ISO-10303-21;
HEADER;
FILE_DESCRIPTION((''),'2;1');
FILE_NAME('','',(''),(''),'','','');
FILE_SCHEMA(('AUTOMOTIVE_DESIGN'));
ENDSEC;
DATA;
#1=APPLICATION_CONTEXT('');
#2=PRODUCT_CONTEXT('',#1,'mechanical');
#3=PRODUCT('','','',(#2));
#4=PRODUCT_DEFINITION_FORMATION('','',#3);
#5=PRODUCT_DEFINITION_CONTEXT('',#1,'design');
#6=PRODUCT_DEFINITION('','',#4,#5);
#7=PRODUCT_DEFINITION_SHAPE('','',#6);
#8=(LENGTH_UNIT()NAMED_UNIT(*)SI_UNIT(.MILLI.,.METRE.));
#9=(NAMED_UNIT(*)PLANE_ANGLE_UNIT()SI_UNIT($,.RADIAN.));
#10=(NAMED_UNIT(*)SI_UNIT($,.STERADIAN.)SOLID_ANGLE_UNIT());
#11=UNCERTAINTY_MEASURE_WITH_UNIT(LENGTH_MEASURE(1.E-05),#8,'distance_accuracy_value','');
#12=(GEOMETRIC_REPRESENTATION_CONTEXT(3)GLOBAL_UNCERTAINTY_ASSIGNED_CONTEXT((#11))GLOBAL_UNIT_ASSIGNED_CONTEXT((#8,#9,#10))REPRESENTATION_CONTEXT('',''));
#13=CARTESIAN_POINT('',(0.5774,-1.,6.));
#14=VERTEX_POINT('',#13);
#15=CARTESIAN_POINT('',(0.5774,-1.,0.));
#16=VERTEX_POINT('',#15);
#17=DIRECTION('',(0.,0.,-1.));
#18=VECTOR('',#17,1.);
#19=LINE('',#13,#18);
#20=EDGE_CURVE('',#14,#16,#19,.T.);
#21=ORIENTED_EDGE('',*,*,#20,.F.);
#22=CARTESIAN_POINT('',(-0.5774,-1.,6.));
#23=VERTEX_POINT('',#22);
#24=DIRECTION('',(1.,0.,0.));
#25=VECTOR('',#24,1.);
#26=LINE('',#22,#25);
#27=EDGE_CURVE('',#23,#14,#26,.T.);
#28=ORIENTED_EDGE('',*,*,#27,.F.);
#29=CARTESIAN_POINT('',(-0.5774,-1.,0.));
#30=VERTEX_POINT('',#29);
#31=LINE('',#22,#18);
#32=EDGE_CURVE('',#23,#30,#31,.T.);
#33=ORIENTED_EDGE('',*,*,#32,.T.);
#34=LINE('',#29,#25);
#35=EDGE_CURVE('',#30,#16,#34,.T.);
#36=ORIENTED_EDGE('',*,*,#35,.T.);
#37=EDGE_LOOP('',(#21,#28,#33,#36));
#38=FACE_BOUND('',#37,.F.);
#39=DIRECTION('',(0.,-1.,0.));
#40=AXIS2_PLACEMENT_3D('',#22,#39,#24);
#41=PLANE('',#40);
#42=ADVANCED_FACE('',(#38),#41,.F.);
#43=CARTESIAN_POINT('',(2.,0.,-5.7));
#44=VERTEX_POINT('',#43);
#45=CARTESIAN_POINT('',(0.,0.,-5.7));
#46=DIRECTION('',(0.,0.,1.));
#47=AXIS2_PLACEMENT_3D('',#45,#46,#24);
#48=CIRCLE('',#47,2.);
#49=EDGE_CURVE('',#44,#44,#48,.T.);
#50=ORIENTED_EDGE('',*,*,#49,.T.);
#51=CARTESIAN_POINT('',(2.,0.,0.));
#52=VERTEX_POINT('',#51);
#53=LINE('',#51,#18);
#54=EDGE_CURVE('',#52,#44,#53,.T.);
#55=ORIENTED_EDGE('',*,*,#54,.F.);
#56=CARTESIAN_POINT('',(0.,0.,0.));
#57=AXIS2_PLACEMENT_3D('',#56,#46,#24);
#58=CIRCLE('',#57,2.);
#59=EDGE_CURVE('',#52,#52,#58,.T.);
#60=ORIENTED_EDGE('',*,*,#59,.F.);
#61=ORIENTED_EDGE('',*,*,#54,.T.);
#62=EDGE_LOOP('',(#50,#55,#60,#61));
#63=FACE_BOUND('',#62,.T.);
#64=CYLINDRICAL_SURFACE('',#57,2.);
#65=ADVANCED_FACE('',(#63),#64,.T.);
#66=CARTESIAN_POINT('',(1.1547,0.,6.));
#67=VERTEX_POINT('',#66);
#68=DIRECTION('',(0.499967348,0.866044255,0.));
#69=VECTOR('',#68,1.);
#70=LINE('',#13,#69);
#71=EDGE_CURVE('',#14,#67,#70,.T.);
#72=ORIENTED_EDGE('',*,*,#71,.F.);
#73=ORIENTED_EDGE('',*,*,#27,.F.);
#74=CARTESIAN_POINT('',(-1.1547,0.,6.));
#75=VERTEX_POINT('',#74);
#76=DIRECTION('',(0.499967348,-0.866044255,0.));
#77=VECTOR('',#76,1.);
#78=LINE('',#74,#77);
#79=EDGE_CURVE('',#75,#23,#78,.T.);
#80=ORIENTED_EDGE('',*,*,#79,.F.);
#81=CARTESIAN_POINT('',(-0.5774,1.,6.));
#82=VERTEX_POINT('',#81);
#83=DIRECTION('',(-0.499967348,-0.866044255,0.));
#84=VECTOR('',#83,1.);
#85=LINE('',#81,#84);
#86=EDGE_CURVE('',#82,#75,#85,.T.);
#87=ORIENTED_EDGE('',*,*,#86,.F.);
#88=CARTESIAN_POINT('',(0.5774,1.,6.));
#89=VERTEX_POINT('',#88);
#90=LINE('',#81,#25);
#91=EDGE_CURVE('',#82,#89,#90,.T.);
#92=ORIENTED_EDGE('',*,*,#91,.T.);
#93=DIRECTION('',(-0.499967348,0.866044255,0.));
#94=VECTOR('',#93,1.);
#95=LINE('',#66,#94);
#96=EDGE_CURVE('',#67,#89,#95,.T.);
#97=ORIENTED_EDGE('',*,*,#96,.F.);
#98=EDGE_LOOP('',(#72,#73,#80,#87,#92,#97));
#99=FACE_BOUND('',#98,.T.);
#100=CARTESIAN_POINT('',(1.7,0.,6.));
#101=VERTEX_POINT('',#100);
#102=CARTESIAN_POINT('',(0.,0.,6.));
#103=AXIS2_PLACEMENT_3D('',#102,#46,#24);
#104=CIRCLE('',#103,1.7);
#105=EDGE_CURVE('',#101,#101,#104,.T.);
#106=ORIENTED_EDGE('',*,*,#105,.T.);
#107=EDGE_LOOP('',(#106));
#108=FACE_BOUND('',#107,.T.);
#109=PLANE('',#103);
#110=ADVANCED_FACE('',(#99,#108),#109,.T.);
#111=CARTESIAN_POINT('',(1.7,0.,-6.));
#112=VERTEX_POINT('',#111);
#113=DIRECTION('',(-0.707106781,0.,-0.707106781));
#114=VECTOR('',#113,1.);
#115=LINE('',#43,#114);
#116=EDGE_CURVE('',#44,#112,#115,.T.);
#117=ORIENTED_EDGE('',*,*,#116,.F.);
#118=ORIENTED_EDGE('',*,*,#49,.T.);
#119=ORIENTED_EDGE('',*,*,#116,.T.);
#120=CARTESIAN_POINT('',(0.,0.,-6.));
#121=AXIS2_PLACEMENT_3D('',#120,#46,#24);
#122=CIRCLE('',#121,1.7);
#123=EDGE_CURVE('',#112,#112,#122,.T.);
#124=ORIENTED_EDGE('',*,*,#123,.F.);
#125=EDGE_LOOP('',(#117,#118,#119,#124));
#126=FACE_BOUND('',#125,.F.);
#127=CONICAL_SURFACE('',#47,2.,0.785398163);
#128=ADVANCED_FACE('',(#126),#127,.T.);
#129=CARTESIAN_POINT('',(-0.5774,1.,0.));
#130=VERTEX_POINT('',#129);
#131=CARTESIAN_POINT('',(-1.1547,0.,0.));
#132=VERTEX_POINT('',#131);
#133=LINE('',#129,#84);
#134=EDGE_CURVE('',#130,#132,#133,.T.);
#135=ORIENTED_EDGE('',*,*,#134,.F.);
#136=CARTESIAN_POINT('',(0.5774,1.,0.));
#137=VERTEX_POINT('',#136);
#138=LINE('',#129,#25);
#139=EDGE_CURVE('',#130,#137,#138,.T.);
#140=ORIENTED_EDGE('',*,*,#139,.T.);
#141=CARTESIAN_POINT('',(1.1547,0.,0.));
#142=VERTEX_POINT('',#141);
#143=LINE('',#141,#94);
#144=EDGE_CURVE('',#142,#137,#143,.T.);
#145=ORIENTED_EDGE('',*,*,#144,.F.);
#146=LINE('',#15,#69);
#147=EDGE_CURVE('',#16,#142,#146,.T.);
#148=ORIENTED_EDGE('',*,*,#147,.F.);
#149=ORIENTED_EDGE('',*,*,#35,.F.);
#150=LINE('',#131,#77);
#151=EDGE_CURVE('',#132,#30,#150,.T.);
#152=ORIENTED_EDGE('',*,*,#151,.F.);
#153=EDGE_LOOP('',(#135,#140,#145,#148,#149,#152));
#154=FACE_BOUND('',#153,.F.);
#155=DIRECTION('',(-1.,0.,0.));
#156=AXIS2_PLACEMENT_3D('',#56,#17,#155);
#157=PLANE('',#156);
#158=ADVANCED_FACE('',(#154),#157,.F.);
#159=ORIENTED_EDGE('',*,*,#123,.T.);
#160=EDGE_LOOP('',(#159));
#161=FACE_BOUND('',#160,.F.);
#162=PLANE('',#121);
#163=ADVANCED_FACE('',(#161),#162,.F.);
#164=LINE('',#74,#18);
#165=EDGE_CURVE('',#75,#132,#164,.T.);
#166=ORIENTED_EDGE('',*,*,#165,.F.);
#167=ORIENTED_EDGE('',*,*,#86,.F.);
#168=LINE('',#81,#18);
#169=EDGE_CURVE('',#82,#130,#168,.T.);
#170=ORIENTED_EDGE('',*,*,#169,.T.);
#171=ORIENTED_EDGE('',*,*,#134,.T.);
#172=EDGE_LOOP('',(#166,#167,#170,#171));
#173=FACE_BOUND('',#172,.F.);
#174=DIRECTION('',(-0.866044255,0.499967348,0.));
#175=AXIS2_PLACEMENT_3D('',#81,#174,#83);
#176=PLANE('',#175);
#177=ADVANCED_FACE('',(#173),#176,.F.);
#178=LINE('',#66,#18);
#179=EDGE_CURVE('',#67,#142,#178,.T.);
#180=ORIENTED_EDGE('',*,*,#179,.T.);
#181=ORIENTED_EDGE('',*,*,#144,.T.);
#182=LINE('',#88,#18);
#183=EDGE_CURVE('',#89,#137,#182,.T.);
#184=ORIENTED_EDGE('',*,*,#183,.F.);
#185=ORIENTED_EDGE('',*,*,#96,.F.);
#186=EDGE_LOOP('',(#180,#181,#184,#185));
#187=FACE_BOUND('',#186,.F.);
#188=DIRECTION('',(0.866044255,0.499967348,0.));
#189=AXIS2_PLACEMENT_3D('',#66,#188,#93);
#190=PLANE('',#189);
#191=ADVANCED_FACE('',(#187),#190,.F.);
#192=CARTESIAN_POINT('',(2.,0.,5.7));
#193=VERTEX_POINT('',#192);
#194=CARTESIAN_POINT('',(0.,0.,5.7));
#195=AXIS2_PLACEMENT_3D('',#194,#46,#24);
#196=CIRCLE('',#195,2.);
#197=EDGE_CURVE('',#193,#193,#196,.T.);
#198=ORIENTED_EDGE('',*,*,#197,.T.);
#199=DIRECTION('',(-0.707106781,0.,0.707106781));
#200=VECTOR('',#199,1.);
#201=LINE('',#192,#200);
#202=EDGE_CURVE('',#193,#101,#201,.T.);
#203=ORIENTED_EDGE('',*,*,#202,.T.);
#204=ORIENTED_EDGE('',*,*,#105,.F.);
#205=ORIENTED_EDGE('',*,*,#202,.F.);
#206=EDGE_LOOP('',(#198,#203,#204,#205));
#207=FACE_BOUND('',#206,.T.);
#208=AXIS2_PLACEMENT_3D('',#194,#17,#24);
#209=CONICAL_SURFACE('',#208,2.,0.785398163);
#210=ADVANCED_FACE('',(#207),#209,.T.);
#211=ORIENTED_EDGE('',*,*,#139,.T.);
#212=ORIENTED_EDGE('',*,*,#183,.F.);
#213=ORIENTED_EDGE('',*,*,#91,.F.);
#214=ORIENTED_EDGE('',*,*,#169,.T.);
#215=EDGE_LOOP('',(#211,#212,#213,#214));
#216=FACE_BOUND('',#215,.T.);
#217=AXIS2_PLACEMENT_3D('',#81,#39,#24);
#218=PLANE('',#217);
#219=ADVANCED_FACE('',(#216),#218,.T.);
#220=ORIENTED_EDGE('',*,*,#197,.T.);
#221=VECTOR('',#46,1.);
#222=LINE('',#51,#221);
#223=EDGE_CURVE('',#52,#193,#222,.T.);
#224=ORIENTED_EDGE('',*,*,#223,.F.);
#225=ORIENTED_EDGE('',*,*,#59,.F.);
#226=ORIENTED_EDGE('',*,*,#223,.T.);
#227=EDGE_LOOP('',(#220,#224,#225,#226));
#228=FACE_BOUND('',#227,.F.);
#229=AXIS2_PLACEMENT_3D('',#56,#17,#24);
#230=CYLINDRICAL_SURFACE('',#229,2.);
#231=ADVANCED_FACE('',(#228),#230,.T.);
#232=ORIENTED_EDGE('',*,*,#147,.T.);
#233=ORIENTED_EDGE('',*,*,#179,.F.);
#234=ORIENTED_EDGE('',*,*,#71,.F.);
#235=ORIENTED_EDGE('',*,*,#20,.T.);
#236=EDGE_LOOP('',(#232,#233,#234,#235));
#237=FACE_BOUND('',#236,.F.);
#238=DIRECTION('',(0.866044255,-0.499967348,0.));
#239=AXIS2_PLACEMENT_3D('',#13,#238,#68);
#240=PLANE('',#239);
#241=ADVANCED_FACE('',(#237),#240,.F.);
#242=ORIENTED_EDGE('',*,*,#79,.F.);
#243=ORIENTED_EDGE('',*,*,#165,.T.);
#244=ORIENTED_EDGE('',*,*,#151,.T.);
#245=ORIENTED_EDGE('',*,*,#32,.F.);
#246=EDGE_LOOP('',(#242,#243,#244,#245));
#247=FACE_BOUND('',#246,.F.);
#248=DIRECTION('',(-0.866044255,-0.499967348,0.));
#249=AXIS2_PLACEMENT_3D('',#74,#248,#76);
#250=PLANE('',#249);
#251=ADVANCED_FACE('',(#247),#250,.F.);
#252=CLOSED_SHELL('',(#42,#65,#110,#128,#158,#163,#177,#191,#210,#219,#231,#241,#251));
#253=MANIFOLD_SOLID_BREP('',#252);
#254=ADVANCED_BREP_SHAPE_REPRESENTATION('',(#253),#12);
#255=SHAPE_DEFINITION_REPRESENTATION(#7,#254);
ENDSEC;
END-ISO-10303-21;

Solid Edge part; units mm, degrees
sketch "Sketch1" plane through (0, 0, 0) normal (0, 0, 1) x (1, 0, 0)
  circle A0 centre (0, 0) radius 2
  dimension "D1" = 4
extrude "Protrusion1" add sketch "Sketch1" along normal mid plane 12
chamfer "Chamfer1" distance 0.3 angle 45 2 edges at (-2, 0, -6) (-2, 0, 6)
sketch "Sketch2" plane through (0, 0, 6) normal (0, 0, 1) x (1, 0, 0)
  line L0 (-0.5774, 1) -> (0.5774, 1)
  line L1 (1.1547, 0) -> (0.5774, 1)
  line L2 (0.5774, -1) -> (1.1547, 0)
  line L3 (-0.5774, -1) -> (0.5774, -1)
  line L4 (-1.1547, 0) -> (-0.5774, -1)
  line L5 (-0.5774, 1) -> (-1.1547, 0)
  dimension "D1" = 2
extrude "Cutout1" cut sketch "Sketch2" against normal blind 6
properties part number "24101913"
